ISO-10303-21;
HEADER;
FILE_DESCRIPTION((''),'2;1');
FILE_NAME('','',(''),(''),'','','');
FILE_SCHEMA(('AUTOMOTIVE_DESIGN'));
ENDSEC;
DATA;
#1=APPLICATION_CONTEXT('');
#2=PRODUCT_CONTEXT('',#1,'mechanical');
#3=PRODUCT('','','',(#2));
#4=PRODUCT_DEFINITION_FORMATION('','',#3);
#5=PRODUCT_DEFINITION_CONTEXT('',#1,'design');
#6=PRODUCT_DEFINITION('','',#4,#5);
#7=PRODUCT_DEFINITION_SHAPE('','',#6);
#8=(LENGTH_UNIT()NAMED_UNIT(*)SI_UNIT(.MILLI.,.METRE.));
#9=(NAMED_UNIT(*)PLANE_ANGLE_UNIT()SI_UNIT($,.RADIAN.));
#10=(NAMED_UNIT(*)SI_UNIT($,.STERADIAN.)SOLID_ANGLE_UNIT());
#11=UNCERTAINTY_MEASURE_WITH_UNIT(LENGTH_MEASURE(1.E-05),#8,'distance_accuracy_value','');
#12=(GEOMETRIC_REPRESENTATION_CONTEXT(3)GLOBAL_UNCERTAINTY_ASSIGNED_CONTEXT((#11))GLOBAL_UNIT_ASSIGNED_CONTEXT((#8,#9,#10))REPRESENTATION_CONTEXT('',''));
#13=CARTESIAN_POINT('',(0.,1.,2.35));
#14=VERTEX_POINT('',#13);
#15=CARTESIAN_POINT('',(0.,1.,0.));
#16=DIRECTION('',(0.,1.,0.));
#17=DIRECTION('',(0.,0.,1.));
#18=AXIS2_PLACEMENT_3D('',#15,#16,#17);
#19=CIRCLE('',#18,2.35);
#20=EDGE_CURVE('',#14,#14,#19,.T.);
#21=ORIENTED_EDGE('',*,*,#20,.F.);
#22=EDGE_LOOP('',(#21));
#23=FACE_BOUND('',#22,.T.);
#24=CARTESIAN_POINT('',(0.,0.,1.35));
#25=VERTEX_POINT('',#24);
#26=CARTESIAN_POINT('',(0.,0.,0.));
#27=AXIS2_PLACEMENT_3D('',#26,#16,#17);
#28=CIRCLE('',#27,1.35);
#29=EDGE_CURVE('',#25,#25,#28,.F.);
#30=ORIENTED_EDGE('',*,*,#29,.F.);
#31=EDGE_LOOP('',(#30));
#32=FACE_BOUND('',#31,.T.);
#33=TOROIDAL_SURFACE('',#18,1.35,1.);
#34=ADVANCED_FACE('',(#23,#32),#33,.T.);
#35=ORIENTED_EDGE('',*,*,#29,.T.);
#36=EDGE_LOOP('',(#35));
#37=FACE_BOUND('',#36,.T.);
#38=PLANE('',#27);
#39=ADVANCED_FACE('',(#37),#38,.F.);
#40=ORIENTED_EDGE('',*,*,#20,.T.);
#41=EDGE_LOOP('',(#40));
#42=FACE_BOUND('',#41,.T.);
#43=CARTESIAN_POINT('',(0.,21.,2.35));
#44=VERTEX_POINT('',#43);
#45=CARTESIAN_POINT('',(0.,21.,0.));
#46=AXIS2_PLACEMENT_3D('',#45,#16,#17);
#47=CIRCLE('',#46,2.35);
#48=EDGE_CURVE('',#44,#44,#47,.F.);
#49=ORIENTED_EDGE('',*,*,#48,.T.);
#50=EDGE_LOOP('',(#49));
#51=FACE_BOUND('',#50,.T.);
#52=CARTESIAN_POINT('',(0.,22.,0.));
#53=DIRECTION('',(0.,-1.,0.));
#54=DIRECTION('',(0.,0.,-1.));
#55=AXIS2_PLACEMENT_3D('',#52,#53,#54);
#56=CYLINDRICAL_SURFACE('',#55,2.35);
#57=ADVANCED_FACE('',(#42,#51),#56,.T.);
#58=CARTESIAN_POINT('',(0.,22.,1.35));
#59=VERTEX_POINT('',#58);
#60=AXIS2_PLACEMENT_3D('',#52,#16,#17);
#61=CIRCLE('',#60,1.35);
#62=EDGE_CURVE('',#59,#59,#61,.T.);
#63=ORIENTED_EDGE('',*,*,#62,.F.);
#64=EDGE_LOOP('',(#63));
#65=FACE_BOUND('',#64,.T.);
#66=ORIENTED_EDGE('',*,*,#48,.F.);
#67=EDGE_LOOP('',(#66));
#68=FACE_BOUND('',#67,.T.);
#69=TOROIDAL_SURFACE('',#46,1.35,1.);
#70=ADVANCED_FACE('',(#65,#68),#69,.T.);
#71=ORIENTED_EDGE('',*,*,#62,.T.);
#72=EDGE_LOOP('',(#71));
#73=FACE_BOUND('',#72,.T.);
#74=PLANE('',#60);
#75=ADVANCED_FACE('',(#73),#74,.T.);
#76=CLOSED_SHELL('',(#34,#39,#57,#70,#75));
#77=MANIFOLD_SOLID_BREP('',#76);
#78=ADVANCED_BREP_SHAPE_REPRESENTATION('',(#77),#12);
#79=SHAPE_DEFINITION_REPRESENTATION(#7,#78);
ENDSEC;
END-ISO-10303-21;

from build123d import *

# Parameters (mm, degrees)
SKETCH_1_R      = 2.35
EXTRUDE_1_DEPTH = 22
FILLET_1_R      = 1


with BuildPart() as part:
    # 草图1 → 凸台-拉伸1 (new body)
    with BuildSketch(Plane(origin=(0, 0, 0), x_dir=(1, 0, 0), z_dir=(0, 1, 0))):
        with Locations(Location((0, 0, 0), (0, 0, 270))):
            Circle(SKETCH_1_R)
    extrude(amount=EXTRUDE_1_DEPTH)

    # 圆角1
    fillet_1_edges = [part.edges().sort_by_distance(p)[0] for p in [
        (0, 0, -2.35),
        (0, 22, -2.35),
    ]]
    fillet(fillet_1_edges, radius=FILLET_1_R)


solid = part.part
